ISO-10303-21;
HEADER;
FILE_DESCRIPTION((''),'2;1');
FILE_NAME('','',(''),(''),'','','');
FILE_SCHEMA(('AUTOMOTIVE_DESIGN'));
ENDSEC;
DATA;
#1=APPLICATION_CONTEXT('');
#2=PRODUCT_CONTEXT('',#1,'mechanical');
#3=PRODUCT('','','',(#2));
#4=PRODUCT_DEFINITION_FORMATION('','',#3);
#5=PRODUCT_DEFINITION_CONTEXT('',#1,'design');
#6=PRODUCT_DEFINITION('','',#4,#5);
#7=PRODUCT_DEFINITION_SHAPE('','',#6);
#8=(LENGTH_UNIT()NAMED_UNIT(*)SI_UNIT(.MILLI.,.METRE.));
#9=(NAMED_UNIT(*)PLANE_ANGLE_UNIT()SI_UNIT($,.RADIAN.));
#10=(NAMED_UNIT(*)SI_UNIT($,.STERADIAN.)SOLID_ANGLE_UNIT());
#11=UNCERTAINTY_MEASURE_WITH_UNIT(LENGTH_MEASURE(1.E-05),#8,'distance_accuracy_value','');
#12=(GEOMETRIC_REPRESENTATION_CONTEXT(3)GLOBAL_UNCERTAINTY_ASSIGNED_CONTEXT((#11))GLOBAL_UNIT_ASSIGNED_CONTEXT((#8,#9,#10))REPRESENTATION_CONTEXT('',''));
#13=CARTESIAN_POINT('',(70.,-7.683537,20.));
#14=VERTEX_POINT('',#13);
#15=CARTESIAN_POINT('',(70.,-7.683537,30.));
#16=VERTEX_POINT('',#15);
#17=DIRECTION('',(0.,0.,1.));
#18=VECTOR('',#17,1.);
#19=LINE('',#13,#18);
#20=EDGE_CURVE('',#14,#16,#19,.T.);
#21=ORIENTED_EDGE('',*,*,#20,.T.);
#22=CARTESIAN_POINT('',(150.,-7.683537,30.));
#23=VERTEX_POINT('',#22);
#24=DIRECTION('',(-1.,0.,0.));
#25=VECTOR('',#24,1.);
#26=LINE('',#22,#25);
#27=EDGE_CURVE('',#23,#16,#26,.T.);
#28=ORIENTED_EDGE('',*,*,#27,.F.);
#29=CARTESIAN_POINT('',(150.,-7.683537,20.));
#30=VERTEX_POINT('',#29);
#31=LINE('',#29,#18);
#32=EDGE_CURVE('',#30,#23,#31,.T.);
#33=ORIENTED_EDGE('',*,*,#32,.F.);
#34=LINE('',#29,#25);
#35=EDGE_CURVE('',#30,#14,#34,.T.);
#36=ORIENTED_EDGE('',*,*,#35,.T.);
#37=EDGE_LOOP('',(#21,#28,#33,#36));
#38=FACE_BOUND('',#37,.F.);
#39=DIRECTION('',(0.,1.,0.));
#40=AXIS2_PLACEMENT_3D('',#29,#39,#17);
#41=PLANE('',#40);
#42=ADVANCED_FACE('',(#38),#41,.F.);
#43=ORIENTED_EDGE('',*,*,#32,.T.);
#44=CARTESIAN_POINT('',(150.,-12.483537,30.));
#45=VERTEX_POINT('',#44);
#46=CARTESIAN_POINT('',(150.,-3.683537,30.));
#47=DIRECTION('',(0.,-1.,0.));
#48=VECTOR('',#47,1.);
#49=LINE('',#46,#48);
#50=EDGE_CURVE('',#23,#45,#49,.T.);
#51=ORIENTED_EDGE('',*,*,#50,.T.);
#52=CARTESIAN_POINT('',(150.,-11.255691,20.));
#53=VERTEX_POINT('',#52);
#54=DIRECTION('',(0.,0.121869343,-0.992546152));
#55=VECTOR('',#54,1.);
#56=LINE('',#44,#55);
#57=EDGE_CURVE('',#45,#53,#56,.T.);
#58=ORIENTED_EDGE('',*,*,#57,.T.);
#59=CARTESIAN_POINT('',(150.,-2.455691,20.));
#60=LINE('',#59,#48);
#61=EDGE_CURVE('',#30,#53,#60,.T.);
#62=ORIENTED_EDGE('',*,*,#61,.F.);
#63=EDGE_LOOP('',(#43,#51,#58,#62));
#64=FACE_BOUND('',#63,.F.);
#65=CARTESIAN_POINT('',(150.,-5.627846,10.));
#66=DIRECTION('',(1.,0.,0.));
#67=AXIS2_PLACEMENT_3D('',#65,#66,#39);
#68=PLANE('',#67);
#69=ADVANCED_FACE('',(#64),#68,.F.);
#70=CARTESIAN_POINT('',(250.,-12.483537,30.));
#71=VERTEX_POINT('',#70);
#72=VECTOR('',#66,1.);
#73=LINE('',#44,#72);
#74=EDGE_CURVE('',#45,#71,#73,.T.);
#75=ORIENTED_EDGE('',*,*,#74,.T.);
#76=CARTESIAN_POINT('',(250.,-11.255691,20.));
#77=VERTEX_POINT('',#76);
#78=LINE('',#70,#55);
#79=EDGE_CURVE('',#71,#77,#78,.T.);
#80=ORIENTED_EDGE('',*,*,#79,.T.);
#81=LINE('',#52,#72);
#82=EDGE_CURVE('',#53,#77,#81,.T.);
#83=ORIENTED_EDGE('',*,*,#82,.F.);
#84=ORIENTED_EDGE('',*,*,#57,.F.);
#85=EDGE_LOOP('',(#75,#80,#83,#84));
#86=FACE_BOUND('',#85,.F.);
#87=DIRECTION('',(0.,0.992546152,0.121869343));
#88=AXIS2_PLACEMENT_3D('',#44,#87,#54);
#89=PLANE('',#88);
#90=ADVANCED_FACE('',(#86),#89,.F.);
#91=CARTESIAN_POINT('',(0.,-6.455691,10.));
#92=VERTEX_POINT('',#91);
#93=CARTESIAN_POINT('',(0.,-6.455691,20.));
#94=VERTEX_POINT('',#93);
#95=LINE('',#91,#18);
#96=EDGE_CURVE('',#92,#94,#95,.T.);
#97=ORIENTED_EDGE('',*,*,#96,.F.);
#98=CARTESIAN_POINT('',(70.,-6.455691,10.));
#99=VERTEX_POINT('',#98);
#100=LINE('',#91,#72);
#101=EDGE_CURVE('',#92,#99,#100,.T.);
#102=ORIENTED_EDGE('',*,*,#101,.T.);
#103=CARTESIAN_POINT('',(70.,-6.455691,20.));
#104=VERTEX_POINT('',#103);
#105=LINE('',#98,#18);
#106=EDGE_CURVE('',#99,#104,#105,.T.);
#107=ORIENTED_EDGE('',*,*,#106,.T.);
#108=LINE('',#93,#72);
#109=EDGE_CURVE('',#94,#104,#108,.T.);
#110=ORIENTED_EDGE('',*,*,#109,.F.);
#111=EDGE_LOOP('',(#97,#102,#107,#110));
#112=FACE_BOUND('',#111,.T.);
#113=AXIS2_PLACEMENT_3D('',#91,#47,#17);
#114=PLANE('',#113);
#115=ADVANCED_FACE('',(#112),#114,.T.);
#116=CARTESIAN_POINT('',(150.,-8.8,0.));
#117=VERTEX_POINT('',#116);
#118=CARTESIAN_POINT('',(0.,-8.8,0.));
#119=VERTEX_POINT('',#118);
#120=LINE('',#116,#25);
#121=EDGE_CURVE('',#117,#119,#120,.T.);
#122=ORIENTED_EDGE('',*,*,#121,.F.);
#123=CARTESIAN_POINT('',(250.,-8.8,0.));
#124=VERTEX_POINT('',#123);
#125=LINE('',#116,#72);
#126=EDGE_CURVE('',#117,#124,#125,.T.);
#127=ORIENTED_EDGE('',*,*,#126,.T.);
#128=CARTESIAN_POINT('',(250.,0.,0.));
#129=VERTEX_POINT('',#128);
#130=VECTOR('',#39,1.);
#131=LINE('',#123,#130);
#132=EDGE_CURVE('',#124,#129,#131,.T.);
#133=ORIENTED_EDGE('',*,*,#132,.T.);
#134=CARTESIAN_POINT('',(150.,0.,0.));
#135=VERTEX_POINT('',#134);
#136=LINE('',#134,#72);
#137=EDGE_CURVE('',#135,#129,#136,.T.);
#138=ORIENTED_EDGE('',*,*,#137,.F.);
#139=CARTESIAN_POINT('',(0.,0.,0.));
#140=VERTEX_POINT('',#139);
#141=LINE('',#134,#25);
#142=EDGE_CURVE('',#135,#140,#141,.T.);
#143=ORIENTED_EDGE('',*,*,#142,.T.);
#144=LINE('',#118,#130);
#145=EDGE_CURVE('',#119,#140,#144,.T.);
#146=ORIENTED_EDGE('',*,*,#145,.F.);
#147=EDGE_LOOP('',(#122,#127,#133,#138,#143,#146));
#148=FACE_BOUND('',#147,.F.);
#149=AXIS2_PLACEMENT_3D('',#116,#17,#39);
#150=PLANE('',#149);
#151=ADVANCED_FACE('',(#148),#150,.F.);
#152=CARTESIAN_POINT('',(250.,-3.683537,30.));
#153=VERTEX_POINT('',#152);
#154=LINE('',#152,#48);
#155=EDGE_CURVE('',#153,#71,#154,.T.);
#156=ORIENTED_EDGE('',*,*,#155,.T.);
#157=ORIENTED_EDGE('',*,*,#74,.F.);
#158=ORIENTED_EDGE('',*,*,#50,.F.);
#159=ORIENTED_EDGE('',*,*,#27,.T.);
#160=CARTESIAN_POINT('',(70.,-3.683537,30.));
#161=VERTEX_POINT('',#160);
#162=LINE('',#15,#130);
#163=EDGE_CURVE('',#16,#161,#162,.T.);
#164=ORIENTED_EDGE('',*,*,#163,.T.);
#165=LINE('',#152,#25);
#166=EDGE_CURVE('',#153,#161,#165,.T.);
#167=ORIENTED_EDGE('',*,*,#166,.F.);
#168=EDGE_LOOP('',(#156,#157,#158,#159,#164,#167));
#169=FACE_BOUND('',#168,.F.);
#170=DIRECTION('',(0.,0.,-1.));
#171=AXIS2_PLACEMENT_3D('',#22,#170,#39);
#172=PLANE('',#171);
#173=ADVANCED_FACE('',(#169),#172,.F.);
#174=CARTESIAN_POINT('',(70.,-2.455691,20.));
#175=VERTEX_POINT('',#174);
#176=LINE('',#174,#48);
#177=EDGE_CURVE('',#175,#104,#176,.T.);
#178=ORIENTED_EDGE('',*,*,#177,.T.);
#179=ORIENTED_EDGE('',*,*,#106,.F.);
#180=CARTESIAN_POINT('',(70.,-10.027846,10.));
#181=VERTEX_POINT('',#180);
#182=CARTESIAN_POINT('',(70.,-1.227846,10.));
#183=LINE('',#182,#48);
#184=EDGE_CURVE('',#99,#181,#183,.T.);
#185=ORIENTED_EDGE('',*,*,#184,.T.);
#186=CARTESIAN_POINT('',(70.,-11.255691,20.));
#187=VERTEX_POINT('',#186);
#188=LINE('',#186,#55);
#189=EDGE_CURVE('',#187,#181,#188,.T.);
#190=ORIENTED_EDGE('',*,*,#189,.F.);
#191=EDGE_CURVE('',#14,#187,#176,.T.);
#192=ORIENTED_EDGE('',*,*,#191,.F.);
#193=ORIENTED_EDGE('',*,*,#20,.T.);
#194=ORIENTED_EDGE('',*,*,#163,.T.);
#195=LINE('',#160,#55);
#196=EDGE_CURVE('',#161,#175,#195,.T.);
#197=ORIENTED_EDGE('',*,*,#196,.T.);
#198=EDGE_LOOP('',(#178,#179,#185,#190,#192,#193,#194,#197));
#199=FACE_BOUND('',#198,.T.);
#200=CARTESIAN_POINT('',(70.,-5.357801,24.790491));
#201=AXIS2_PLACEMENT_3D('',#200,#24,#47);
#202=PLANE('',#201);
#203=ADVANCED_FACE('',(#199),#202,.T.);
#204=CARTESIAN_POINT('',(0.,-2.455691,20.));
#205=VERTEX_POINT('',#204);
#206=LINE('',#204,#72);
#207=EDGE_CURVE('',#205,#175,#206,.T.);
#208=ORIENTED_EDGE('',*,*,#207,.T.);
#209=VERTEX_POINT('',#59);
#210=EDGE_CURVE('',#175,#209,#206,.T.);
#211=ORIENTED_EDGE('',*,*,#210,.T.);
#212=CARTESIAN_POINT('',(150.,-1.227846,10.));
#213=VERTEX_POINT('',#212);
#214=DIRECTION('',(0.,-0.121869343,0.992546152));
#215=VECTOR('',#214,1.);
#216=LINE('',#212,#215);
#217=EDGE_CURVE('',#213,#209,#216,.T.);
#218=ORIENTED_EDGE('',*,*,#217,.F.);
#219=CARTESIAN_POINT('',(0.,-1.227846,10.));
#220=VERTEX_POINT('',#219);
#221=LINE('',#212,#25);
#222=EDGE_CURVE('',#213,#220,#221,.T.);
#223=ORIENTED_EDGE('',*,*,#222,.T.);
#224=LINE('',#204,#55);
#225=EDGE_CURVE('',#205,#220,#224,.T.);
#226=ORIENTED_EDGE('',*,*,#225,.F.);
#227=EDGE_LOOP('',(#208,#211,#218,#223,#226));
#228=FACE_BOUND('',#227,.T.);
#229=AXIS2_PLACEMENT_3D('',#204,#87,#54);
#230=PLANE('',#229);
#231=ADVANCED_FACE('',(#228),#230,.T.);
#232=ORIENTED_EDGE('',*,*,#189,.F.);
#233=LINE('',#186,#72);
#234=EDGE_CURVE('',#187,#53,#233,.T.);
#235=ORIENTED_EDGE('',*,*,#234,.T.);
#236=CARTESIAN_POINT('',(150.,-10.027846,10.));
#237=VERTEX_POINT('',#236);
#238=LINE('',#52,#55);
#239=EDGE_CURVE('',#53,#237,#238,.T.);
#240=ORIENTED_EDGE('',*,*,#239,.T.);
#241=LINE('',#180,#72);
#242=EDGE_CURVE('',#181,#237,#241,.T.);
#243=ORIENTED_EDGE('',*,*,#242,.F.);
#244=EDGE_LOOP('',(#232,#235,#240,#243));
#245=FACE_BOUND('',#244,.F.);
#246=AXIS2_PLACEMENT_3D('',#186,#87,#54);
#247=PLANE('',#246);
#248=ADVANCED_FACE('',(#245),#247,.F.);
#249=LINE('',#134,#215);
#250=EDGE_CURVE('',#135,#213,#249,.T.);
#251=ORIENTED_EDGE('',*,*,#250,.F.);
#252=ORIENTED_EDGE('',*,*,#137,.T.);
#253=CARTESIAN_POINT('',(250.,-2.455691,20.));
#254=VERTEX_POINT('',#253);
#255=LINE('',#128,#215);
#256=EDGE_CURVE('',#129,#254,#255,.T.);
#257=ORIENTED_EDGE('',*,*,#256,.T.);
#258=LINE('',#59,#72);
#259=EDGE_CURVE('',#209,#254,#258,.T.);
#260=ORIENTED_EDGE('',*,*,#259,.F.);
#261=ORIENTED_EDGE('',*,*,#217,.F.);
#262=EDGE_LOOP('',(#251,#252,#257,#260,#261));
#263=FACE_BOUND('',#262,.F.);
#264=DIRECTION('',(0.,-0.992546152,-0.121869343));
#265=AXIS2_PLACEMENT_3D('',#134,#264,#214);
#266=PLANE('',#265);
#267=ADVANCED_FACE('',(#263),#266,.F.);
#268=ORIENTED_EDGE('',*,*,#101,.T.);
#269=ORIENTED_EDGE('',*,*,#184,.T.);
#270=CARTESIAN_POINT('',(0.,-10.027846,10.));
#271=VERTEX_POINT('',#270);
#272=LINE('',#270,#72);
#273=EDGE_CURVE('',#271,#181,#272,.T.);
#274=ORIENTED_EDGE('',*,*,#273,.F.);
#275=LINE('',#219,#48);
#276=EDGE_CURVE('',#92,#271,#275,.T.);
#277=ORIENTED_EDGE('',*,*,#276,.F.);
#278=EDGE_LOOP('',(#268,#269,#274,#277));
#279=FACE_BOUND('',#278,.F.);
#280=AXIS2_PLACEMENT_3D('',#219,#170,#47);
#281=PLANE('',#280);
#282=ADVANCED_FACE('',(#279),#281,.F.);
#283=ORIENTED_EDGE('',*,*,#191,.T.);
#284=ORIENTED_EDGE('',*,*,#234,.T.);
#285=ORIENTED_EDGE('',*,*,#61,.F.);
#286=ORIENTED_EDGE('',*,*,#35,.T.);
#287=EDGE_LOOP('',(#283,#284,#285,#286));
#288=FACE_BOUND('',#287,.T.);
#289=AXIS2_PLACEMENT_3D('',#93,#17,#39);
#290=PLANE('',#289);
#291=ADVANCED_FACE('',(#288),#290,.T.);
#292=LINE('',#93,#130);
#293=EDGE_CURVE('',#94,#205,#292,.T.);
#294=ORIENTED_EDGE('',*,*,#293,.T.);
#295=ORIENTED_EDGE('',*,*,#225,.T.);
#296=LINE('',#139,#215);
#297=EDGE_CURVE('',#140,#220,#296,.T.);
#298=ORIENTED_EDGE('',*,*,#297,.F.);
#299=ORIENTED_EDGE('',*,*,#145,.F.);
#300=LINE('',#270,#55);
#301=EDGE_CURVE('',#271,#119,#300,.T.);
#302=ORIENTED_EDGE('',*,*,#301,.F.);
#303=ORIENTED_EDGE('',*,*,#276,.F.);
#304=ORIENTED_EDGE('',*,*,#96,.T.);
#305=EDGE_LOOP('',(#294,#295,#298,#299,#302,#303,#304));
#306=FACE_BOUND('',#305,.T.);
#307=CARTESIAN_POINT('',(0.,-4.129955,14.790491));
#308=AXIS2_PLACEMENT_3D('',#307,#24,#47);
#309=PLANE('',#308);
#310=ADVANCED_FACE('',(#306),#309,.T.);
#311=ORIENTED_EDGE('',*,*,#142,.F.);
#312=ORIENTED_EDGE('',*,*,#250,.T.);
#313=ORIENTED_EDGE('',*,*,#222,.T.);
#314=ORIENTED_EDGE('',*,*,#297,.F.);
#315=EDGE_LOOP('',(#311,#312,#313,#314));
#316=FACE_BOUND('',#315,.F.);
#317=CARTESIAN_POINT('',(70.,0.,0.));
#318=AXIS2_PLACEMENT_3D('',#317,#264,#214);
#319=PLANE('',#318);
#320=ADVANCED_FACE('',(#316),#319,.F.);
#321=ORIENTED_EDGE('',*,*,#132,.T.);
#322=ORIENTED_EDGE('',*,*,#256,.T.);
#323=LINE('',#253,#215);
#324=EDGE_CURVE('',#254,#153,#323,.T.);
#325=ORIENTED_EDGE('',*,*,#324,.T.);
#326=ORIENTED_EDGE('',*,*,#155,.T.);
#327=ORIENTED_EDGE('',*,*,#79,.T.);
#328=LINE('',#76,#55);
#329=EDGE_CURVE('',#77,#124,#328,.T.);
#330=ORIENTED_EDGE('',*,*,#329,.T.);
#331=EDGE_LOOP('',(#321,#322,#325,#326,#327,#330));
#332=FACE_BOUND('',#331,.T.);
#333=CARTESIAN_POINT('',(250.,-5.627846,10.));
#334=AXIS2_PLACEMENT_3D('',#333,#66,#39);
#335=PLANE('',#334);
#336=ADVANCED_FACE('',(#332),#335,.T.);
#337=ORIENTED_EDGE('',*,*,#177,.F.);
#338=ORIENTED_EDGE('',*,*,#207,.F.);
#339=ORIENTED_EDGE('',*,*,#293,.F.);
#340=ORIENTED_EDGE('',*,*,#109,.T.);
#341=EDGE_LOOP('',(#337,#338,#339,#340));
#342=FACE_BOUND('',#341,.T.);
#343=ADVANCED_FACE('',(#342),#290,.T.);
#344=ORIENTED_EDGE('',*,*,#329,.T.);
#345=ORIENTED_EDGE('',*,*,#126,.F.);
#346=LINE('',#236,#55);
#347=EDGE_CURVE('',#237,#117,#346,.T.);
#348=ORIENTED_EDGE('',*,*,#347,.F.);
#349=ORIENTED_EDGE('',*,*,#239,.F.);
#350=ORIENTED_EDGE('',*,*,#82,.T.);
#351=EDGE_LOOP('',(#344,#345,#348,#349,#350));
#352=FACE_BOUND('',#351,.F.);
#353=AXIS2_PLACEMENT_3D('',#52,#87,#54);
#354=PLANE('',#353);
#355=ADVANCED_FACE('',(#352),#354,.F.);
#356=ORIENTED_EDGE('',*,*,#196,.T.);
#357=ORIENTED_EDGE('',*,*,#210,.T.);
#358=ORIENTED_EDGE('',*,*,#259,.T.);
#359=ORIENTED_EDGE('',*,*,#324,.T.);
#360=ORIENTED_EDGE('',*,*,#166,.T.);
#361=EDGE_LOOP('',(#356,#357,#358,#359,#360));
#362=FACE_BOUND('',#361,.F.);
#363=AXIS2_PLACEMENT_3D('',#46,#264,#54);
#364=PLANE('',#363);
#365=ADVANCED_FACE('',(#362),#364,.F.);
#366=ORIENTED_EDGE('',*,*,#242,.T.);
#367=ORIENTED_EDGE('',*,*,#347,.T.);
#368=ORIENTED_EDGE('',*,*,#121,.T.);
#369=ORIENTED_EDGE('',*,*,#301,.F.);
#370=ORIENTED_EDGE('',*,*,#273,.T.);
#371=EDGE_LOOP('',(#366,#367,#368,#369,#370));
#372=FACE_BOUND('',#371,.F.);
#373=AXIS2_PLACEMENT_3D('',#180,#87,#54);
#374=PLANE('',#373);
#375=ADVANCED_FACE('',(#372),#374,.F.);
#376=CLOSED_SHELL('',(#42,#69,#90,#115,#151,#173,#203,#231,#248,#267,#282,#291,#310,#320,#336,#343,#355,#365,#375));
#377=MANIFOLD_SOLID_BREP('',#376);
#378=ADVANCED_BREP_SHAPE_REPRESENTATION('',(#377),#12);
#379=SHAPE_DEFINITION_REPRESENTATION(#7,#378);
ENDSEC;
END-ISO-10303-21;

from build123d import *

# Parameters (mm, degrees)
F1_DEPTH  = 70
F3_DEPTH  = 80
F5_DEPTH  = 100
F8_DEPTH  = 70
F10_DEPTH = 80


with BuildPart() as f1:
    # F0 (on Right) → F1 (new body)
    with BuildSketch(Plane.YZ):
        Polygon((-8.8, 0), (0, 0), (-1.227845609, 10), (-10.027845609, 10), align=None)
    extrude(amount=F1_DEPTH)

    # F2 (on face) → F3 (join)
    with BuildSketch(Plane.YZ.offset(70)):
        Polygon((0, 0), (-1.227845609, 10), (-10.027845609, 10), (-8.8, 0), align=None)
        Polygon((-10.027845609, 10), (-1.227845609, 10), (-2.4556912181, 20), (-11.2556912181, 20), align=None)
    extrude(amount=F3_DEPTH)

    # F4 (on face) → F5 (join)
    with BuildSketch(Plane.YZ.offset(150)):
        Polygon((-8.8, 0), (0, 0), (-2.4556912181, 20), (-11.2556912181, 20), align=None)
        Polygon((-11.2556912181, 20), (-2.4556912181, 20), (-3.6835368271, 30), (-12.4835368271, 30), align=None)
    extrude(amount=F5_DEPTH)

    # F7 (on face) → F8 (join)
    with BuildSketch(Plane(origin=(0, 0, 0), x_dir=(0, -1, 0), z_dir=(-1, 0, 0))):
        Polygon((2.4556912181, 20), (1.227845609, 10), (6.4556912181, 10), (6.4556912181, 20), align=None)
    extrude(amount=-F8_DEPTH)

    # F9 (on face) → F10 (join)
    with BuildSketch(Plane(origin=(150, 0, 0), x_dir=(0, -1, 0), z_dir=(-1, 0, 0))):
        Polygon((2.4556912181, 20), (7.6835368271, 20), (7.6835368271, 30), (3.6835368271, 30), align=None)
    extrude(amount=F10_DEPTH)


solid = f1.part
